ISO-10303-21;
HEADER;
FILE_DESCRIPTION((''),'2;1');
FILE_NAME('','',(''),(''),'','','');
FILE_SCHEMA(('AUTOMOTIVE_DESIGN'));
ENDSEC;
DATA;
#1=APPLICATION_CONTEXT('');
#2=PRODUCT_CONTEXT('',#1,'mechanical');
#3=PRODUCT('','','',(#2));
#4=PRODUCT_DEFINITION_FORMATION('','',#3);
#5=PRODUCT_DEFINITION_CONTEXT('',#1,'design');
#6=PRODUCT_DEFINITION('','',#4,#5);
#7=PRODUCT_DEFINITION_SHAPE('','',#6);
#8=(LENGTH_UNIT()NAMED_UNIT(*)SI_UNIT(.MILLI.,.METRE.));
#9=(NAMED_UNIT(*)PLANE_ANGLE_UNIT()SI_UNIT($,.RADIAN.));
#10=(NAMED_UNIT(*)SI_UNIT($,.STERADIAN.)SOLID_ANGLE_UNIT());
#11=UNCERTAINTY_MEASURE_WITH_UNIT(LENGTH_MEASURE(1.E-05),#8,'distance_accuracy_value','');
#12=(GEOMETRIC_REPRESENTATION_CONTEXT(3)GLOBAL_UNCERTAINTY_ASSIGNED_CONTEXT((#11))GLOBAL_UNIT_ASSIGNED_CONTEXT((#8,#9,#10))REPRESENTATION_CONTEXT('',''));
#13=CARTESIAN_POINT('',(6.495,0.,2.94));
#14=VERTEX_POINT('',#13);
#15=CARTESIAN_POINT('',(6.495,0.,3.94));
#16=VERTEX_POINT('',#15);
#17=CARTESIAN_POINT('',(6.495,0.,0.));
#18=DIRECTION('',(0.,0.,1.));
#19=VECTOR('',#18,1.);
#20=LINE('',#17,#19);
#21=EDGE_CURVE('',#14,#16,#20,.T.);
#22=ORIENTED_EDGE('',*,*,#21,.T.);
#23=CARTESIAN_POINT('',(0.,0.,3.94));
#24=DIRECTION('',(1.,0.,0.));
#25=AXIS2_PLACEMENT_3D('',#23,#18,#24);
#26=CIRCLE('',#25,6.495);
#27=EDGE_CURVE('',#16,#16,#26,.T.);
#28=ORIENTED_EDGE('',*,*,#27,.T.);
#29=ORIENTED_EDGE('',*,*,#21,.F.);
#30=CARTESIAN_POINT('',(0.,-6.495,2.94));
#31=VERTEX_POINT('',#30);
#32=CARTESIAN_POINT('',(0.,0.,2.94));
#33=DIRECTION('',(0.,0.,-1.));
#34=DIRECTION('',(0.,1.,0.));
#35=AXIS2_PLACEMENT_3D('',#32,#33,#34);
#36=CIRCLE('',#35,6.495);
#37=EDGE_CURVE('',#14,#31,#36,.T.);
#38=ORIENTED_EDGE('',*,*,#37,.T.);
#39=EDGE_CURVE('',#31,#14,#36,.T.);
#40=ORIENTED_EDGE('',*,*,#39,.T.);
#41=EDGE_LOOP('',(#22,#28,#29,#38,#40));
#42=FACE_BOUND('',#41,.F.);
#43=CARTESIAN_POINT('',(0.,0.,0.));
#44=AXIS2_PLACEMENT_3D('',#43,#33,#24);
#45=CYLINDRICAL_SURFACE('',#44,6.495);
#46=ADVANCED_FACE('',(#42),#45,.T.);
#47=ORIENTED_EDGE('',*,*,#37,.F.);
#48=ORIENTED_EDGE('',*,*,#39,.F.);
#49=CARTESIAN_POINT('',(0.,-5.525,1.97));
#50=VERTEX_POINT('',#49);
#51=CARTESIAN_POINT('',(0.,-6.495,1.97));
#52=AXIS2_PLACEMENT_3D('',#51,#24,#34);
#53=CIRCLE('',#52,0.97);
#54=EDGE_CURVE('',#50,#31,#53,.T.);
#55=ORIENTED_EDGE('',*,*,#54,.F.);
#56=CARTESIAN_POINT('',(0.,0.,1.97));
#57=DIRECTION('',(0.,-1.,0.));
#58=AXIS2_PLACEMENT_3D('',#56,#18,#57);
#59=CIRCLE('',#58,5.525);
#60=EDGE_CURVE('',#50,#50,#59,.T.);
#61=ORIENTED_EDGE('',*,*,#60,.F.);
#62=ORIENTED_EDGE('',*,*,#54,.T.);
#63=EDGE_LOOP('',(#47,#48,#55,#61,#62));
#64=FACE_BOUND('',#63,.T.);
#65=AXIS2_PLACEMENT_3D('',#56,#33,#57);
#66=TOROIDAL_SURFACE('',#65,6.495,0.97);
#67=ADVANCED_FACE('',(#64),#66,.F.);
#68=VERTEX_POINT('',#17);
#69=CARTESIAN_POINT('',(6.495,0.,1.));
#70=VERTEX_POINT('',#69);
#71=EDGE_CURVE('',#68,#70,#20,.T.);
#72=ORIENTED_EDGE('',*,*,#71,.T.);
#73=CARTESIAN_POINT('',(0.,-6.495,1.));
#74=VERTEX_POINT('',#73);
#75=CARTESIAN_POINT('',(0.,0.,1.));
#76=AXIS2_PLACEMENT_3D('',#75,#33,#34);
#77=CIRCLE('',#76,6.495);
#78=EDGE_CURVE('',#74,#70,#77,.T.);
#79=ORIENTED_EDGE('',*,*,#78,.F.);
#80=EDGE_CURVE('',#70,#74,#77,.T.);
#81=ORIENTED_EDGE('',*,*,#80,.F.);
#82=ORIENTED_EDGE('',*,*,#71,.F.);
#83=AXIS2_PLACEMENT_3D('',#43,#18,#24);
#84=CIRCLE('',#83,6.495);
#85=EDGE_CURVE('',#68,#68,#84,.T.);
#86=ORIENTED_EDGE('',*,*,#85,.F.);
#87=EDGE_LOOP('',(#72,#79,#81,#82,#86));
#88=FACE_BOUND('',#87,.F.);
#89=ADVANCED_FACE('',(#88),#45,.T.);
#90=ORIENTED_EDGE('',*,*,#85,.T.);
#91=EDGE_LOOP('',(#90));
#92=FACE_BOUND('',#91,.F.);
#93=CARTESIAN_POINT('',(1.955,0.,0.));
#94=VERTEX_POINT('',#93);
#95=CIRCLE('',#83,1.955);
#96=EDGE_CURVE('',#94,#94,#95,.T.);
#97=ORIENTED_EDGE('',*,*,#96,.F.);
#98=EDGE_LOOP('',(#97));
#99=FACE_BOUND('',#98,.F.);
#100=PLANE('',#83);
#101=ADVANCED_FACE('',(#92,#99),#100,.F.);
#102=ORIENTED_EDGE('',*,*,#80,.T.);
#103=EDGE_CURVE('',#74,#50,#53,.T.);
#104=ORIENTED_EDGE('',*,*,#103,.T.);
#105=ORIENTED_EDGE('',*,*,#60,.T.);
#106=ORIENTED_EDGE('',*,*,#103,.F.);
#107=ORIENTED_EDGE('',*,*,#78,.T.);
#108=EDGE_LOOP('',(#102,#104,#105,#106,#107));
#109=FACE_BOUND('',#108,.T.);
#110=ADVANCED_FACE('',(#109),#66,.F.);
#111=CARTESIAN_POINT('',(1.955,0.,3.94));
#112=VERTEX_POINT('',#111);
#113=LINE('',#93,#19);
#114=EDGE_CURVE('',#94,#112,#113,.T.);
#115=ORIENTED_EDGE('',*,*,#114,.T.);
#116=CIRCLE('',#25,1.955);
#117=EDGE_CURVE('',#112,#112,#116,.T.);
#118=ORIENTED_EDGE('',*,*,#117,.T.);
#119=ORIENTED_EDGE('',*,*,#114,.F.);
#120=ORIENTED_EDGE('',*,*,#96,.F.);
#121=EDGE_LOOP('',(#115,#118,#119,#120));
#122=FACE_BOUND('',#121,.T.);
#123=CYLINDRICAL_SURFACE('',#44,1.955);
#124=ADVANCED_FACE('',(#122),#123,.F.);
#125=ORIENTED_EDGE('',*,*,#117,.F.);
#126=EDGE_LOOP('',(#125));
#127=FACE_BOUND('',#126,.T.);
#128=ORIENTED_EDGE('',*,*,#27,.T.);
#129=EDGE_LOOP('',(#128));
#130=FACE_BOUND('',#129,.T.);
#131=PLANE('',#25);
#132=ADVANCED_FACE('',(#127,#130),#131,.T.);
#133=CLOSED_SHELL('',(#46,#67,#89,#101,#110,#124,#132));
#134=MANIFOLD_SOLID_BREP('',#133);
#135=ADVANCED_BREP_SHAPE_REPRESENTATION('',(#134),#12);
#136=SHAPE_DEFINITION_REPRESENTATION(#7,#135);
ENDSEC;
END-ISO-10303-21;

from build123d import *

# Parameters (mm, degrees)
F0_R     = 6.495
F0_R_2   = 1.955
F1_DEPTH = 3.94
F2_R     = 0.97


with BuildPart() as f1:
    # F0 (on Top) → F1 (new body)
    with BuildSketch(Plane.XY):
        Circle(F0_R)
        Circle(F0_R_2, mode=Mode.SUBTRACT)
    extrude(amount=F1_DEPTH)

    # F2 (on Right) → F3 (revolve, cut)
    with BuildSketch(Plane.YZ):
        with Locations((-6.495, 1.97)):
            Circle(F2_R)
    revolve(axis=Axis((0, 0, 3.703923), (0, 0, 1)), mode=Mode.SUBTRACT)


solid = f1.part
